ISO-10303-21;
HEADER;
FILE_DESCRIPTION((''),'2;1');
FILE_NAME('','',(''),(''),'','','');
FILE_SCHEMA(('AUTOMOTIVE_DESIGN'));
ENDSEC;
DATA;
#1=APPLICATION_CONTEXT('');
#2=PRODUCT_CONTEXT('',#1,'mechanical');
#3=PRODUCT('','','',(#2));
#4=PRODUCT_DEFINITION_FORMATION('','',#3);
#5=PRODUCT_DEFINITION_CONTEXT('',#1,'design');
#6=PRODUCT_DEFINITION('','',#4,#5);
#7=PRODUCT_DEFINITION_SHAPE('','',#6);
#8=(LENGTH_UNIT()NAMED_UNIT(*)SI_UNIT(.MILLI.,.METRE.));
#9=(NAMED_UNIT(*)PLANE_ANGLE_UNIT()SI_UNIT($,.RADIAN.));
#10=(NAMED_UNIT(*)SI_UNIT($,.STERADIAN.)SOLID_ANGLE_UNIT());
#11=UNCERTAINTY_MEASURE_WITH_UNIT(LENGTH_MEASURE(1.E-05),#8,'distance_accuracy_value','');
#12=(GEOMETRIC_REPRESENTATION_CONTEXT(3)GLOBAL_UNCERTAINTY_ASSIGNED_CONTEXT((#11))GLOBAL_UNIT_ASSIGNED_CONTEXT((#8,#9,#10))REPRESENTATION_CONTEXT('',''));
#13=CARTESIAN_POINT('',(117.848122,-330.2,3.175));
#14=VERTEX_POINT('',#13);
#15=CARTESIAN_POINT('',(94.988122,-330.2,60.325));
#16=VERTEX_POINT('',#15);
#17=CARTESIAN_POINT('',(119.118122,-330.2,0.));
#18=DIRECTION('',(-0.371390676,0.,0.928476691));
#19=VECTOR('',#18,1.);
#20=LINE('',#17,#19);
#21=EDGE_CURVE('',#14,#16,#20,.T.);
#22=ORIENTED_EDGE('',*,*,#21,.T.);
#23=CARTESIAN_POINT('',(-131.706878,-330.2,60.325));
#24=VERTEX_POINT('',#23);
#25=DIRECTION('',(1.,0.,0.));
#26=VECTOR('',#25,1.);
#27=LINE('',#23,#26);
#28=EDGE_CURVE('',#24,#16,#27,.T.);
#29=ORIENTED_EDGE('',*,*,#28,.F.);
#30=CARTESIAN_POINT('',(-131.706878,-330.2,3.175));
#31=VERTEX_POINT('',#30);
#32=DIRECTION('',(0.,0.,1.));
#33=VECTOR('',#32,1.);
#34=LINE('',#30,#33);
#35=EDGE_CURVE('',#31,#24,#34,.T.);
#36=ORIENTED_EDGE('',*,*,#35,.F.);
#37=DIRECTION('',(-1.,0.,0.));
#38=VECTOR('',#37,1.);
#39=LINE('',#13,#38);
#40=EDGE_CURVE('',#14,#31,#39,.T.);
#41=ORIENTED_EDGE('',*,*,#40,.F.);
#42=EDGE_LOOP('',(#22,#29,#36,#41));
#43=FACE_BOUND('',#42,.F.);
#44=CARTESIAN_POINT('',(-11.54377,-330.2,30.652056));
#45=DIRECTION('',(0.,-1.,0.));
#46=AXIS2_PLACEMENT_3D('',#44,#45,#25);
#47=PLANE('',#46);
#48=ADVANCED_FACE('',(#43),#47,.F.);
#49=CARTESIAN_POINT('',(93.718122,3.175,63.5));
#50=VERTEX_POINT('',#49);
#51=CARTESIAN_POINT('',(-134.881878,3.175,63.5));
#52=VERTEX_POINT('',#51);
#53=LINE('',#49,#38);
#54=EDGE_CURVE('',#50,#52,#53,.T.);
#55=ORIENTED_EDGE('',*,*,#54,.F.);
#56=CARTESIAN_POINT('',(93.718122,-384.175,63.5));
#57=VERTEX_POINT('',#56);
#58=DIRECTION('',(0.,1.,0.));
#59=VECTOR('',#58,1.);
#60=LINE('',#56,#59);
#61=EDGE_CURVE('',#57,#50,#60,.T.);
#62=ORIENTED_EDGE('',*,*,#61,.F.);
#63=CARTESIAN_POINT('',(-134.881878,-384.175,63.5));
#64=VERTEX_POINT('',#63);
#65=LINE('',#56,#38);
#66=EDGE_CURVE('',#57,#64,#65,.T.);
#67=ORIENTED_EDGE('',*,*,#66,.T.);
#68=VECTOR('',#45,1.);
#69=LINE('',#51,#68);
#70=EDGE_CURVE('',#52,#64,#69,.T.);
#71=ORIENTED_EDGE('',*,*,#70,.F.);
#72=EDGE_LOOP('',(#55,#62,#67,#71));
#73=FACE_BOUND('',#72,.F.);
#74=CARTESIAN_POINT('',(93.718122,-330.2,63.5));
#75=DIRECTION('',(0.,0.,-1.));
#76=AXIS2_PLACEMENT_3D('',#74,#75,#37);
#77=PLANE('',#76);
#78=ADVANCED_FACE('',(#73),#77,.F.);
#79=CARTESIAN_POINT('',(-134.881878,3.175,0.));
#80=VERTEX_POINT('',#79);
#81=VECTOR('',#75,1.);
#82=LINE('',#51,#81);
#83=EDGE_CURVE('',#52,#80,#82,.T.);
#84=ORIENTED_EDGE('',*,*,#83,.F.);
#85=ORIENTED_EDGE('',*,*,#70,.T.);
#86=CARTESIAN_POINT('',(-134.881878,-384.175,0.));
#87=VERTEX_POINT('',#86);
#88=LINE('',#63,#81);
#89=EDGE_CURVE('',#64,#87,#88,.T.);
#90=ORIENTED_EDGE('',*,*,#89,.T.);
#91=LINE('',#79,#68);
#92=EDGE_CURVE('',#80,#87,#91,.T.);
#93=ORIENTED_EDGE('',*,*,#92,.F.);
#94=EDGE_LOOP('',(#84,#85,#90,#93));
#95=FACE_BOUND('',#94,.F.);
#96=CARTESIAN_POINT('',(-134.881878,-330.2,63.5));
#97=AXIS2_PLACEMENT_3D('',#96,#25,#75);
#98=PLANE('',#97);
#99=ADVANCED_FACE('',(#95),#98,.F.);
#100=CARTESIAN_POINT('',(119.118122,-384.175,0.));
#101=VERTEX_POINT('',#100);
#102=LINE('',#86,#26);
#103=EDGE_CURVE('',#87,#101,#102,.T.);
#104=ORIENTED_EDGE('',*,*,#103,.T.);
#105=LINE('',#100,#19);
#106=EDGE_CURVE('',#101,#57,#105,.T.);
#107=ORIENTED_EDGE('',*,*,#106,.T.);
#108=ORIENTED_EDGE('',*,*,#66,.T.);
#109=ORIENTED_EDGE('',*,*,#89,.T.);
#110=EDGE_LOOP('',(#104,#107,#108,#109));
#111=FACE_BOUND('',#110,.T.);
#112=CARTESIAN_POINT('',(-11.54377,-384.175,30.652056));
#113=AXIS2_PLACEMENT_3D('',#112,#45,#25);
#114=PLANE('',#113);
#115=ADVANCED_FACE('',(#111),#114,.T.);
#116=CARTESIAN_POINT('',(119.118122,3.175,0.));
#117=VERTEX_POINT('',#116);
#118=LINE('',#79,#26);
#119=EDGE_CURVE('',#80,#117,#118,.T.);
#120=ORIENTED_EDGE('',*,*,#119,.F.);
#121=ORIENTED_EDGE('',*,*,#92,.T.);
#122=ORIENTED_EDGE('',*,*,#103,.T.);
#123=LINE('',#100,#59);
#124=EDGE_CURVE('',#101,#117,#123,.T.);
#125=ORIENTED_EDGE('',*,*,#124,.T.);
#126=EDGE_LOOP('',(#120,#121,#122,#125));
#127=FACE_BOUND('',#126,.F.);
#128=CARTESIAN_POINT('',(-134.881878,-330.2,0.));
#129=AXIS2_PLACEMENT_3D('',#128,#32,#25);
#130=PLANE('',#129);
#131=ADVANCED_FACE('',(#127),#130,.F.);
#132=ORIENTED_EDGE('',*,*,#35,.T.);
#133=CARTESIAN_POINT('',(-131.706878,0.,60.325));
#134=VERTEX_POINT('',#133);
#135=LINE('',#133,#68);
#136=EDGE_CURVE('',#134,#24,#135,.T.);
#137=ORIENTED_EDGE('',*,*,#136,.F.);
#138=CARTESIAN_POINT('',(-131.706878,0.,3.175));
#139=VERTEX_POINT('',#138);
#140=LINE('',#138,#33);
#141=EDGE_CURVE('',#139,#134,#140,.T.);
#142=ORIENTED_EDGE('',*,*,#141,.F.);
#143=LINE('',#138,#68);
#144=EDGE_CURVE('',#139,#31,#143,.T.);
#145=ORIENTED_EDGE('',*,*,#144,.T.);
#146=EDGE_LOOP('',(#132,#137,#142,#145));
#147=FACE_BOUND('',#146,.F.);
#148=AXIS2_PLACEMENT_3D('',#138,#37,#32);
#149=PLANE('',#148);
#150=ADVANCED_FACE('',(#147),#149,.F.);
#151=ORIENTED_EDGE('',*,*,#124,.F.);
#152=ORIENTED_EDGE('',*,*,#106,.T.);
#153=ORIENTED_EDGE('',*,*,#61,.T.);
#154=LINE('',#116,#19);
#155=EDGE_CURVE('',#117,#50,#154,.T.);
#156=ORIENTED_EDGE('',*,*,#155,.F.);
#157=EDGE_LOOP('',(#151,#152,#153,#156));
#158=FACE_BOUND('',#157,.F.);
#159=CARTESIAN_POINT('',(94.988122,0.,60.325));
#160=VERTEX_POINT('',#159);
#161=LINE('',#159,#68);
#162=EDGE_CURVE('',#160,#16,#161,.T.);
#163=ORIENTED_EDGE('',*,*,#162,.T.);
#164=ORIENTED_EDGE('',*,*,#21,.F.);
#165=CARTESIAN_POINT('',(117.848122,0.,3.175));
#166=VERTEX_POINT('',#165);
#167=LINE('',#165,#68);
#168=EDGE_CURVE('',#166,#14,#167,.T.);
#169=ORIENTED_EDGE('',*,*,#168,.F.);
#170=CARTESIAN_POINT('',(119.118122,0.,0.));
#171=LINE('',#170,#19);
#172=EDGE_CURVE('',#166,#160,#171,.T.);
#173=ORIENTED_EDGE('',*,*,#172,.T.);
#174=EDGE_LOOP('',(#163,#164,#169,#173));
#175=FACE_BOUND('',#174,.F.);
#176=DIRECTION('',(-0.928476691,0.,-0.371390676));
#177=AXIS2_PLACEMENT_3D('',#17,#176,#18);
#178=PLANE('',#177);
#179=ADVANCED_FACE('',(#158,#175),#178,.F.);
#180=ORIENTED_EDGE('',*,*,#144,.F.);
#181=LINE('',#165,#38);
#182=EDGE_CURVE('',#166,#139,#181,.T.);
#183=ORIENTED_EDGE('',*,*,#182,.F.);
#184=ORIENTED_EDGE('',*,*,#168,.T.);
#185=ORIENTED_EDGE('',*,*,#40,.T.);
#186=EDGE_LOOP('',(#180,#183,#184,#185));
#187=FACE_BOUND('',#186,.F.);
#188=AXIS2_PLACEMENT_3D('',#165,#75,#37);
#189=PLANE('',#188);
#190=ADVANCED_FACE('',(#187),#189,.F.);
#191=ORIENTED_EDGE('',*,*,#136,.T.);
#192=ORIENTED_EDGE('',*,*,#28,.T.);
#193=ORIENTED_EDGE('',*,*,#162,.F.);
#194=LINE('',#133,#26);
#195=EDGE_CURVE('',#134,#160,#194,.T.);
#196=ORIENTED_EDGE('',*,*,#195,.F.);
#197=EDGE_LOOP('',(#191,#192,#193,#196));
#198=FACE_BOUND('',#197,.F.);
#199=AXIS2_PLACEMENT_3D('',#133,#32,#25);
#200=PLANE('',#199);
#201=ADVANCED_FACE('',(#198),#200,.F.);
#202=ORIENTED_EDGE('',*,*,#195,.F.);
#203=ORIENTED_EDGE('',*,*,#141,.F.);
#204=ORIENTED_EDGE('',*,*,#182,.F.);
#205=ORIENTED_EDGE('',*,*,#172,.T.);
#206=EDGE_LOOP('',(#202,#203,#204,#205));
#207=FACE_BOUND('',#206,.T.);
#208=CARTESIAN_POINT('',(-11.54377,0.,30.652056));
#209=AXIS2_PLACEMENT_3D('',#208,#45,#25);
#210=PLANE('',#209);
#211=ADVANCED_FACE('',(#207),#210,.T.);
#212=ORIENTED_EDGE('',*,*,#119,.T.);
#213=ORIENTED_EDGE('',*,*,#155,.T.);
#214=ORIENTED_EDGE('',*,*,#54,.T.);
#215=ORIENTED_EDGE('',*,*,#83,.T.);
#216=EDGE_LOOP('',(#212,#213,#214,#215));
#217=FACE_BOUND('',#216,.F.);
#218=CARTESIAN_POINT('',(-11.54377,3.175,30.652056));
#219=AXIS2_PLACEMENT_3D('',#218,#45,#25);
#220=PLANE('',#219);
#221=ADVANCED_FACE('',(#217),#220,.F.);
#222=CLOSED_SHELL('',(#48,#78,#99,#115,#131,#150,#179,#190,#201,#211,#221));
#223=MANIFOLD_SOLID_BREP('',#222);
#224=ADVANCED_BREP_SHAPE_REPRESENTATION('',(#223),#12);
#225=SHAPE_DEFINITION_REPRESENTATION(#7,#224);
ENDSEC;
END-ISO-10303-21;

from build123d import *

# Parameters (mm, degrees)
F1_DEPTH = 330.2
F2_DEPTH = 3.175
F4_DEPTH = 53.975


with BuildPart() as f1:
    # F0 (on Front) → F1 (new body)
    with BuildSketch(Plane.XZ):
        Polygon((-134.881878, 63.5), (-134.881878, 0), (119.118122, 0), (117.848122, 3.175), (-131.706878, 3.175), (-131.706878, 60.325), (94.988122, 60.325), (93.718122, 63.5), align=None)
    extrude(amount=F1_DEPTH)

    # F0 (on Front) → F2 (join)
    with BuildSketch(Plane.XZ):
        Polygon((-131.706878, 3.175), (117.848122, 3.175), (94.988122, 60.325), (-131.706878, 60.325), align=None)
        Polygon((-134.881878, 63.5), (-134.881878, 0), (119.118122, 0), (117.848122, 3.175), (-131.706878, 3.175), (-131.706878, 60.325), (94.988122, 60.325), (93.718122, 63.5), align=None)
    extrude(amount=-F2_DEPTH)

    # F3 (on face) → F4 (join)
    with BuildSketch(Plane.XZ.offset(330.2)):
        Polygon((117.848122, 3.175), (94.988122, 60.325), (-131.706878, 60.325), (-131.706878, 3.175), align=None)
        Polygon((94.988122, 60.325), (93.718122, 63.5), (-134.881878, 63.5), (-134.881878, 0), (119.118122, 0), (117.848122, 3.175), (-131.706878, 3.175), (-131.706878, 60.325), align=None)
    extrude(amount=F4_DEPTH)


solid = f1.part
